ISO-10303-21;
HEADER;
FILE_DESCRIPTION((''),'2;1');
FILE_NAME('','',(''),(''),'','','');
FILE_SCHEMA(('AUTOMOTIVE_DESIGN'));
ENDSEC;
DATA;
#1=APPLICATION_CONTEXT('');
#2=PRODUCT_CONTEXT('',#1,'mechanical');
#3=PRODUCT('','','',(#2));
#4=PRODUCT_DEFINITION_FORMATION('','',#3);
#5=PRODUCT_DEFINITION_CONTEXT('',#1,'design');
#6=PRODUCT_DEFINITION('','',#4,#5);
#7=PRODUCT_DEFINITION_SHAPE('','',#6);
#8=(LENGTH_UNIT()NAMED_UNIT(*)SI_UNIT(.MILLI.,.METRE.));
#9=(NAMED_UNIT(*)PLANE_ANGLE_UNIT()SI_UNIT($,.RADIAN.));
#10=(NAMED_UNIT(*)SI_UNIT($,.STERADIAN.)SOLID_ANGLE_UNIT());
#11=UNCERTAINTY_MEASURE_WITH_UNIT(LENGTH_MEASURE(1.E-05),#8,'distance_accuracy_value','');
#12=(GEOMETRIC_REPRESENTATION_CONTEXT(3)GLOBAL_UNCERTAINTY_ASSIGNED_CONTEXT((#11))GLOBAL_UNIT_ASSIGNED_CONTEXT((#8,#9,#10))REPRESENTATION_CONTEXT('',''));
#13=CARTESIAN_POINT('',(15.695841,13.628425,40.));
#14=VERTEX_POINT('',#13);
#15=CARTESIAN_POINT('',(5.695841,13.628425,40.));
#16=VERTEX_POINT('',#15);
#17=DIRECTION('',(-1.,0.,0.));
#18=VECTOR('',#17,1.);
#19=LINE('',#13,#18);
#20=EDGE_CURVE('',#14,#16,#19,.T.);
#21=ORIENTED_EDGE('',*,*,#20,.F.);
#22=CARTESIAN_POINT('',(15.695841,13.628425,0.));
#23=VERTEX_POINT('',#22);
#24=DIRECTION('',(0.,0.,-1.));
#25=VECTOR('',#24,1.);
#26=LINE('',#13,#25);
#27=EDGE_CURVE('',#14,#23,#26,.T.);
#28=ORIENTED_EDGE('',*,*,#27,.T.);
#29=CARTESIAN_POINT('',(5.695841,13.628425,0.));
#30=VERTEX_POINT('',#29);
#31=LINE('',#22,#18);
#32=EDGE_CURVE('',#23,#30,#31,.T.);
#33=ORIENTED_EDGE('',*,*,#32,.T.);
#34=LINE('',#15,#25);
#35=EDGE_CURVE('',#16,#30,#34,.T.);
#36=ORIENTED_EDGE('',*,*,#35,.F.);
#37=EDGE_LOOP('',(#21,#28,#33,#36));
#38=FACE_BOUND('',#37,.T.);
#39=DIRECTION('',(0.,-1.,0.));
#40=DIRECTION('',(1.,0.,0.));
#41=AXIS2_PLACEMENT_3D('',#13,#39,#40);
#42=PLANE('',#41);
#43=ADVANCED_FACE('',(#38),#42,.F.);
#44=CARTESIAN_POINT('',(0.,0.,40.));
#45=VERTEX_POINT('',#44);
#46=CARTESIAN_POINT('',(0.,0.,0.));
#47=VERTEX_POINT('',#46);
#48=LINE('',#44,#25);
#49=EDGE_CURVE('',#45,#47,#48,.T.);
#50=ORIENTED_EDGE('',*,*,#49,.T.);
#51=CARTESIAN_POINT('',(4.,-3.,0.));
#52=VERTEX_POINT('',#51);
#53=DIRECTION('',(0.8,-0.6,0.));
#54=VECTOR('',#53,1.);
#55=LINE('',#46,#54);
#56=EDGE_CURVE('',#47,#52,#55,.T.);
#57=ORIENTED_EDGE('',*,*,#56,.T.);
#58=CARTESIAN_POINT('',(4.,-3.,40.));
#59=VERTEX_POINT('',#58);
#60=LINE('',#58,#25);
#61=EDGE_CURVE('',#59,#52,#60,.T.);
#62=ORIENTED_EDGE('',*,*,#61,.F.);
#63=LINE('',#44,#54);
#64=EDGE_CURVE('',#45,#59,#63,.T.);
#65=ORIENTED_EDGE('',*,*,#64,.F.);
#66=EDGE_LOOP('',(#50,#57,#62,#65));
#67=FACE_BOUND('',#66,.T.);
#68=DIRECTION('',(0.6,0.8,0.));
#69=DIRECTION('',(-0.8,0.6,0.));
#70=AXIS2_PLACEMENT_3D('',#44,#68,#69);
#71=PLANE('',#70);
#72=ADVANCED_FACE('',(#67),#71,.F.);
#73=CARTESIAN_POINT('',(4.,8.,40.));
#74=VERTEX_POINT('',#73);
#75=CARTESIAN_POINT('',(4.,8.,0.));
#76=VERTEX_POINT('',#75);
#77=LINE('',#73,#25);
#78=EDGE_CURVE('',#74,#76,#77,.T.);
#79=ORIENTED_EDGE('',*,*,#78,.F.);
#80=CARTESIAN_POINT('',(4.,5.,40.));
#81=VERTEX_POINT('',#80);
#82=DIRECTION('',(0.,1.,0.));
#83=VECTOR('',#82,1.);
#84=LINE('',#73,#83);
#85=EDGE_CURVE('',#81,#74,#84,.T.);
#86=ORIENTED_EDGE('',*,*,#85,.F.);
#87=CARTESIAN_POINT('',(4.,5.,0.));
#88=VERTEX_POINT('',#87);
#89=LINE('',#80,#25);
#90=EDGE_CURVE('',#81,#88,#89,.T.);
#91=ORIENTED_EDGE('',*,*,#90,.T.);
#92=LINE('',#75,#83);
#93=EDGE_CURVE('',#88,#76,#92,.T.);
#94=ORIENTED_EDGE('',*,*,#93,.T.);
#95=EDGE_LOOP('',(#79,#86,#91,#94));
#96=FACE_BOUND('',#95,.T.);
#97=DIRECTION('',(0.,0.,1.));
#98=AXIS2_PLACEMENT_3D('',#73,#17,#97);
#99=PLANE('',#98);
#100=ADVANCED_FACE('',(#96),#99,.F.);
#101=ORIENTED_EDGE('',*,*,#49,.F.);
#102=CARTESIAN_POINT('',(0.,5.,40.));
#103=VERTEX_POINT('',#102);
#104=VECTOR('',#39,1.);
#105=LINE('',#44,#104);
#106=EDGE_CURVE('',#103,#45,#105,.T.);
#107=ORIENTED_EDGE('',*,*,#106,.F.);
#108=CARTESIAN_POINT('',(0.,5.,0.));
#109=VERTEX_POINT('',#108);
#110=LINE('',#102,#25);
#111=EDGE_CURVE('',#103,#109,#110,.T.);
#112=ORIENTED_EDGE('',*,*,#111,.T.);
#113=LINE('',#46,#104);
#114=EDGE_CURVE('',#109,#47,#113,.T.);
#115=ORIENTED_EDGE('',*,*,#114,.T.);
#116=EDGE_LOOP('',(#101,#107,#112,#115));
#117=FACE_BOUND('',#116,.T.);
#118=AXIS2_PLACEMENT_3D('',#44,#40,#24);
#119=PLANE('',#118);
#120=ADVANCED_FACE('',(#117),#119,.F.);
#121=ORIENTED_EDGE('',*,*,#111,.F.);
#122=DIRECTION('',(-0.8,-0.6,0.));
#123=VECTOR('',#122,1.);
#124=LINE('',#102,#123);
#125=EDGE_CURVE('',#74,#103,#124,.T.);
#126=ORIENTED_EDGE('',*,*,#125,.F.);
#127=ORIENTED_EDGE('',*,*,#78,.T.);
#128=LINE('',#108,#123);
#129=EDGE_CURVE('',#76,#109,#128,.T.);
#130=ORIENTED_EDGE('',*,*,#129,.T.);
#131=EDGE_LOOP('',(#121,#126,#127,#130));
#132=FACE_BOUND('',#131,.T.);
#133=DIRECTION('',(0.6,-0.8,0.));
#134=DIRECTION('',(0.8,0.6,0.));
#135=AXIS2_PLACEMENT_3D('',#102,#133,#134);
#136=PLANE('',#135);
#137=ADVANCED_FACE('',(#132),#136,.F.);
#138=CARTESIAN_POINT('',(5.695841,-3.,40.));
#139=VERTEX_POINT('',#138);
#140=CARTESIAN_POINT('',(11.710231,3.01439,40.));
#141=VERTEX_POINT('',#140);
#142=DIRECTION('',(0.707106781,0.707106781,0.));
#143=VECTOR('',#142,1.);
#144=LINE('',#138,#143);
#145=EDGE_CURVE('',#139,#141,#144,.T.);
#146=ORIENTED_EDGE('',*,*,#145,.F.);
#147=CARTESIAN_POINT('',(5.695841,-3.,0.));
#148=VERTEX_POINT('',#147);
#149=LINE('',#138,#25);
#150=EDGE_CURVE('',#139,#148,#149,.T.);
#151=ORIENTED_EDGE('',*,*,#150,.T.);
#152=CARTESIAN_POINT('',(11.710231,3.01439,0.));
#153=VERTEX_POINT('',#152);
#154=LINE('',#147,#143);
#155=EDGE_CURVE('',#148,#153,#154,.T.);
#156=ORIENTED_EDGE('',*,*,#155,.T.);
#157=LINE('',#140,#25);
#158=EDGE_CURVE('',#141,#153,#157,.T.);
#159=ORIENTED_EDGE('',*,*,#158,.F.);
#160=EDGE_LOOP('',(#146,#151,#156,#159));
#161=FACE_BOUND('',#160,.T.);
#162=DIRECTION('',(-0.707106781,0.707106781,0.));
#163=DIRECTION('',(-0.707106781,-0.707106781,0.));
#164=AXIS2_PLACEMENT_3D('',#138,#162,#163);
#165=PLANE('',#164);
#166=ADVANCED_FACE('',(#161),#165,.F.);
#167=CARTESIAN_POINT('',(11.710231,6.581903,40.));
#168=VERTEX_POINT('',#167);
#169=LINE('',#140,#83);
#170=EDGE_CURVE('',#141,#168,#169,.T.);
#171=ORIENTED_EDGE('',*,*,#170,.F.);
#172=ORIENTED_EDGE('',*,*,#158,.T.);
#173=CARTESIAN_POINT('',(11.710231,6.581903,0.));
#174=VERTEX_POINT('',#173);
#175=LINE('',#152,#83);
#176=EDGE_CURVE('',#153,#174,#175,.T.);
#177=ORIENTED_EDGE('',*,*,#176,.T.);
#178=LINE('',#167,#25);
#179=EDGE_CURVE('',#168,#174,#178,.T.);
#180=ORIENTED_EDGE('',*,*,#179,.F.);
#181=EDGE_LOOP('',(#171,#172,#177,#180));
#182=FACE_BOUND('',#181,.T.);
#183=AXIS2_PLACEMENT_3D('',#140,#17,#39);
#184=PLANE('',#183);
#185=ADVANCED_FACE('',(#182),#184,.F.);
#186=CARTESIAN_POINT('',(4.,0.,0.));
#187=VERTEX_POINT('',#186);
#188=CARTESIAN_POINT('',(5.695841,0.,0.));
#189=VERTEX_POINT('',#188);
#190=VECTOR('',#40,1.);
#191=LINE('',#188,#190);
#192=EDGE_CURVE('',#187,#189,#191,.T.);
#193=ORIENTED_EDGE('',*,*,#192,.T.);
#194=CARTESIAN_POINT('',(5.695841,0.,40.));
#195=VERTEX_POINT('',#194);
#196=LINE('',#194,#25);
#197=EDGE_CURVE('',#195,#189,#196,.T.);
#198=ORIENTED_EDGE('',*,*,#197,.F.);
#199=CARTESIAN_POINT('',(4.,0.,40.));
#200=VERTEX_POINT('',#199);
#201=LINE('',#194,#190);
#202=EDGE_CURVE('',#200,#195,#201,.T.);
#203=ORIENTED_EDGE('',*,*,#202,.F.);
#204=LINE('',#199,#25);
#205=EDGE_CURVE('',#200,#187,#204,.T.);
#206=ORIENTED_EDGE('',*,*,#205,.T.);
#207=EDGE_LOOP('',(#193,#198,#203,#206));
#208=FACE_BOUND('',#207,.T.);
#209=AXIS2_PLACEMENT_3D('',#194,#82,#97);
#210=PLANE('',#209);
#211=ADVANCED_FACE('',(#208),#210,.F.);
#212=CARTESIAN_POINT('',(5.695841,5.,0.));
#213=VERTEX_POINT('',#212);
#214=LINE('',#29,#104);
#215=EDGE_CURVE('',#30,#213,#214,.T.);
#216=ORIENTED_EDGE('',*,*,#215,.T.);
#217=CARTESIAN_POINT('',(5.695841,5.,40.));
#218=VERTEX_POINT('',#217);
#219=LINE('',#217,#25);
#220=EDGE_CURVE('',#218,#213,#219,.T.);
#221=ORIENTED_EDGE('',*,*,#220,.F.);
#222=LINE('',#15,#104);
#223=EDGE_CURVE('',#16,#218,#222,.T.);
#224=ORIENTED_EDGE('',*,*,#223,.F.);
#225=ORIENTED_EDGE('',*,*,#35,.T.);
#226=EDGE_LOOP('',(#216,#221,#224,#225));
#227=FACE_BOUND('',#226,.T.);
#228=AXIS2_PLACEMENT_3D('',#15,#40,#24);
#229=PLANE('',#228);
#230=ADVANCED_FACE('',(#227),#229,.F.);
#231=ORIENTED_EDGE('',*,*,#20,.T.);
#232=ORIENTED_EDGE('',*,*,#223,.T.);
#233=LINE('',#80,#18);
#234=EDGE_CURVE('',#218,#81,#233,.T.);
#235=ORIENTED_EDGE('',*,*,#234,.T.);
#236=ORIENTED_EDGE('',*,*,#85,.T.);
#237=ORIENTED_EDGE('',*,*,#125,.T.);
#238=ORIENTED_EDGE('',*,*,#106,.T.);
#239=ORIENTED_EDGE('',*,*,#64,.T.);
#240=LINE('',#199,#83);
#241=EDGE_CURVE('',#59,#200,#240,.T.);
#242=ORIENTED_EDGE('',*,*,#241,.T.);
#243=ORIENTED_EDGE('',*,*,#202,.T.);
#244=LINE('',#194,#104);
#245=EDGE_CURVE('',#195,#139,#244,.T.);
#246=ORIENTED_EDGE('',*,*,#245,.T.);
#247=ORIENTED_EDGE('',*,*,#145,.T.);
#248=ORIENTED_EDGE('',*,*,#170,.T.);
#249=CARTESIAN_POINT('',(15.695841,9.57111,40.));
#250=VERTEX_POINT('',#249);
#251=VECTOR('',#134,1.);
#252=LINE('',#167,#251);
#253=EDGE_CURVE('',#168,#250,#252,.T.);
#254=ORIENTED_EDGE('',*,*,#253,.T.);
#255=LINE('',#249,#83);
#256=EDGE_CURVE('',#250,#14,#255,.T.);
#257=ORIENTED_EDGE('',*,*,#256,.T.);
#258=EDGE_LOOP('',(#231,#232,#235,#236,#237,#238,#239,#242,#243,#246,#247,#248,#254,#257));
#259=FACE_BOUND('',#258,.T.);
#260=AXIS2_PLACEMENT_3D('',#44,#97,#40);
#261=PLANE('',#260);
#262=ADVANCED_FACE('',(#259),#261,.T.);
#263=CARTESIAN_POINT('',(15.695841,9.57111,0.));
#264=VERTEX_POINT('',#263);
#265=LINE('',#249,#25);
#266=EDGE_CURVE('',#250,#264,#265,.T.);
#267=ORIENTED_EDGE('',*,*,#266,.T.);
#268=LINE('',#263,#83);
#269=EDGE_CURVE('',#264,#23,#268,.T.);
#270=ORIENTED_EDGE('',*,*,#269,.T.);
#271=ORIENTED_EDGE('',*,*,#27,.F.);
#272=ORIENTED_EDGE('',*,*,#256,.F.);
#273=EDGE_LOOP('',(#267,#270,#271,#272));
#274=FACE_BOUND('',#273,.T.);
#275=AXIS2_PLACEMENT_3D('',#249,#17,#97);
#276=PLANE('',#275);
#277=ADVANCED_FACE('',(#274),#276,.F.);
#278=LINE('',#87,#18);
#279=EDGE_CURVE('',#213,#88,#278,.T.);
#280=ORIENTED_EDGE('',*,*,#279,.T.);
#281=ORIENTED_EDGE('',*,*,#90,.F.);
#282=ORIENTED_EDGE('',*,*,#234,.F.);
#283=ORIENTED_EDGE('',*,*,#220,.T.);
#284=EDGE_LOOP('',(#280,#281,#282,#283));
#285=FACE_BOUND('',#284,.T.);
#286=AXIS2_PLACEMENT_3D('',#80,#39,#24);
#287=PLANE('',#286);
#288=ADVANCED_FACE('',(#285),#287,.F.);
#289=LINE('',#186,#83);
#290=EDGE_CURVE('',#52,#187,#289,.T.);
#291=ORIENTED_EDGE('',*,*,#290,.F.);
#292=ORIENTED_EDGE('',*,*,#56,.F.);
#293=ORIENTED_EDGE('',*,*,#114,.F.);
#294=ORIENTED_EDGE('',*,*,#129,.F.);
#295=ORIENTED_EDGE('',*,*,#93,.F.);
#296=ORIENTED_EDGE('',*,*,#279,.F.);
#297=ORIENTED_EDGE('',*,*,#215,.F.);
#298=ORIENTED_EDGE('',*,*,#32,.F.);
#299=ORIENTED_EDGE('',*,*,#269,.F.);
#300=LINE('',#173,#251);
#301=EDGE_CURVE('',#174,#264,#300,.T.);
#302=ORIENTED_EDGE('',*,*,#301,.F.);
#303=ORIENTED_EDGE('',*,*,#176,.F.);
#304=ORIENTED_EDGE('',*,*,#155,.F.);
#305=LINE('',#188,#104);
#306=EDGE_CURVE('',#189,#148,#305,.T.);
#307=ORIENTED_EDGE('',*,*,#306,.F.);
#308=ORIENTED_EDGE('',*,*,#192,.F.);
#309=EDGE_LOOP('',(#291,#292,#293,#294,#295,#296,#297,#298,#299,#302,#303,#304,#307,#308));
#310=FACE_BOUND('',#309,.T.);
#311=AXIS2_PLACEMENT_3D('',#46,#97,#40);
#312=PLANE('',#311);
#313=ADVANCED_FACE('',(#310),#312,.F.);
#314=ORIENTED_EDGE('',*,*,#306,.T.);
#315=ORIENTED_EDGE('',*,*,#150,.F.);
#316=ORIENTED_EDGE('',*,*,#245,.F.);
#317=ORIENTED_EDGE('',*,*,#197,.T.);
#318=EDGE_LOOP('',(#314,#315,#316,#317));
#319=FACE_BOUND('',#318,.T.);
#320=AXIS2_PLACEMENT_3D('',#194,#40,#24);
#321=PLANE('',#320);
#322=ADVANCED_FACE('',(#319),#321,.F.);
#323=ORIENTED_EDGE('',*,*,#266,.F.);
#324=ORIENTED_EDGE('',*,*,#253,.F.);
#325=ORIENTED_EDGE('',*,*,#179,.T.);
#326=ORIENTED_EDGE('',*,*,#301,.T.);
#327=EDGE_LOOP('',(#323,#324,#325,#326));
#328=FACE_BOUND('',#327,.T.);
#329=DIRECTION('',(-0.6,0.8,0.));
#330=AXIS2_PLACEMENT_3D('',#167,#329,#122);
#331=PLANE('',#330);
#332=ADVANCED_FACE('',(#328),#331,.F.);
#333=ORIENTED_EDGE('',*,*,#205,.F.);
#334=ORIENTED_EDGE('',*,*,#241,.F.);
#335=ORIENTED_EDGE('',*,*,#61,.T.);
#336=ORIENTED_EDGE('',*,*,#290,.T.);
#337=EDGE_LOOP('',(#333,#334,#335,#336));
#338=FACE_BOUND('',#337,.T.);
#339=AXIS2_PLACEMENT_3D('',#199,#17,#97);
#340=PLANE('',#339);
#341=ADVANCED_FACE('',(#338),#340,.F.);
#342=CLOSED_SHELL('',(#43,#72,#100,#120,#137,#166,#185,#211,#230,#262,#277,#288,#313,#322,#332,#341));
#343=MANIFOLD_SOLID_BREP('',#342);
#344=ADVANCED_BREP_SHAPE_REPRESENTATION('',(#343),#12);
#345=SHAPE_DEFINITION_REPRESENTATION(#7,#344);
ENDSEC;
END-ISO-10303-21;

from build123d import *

# Parameters (mm, degrees)
MAIN_EXTRUSION_DEPTH = 40


with BuildPart() as part:
    # Main - Sketch → Main - Extrusion (new body)
    with BuildSketch(Plane.XY):
        Polygon((0, 0), (0, 5), (4, 8), (4, 5), (5.695841166, 5), (5.695841166, 13.628424951), (15.695841166, 13.628424951), (15.695841166, 9.571110416), (11.710231363, 6.581903064), (11.710231363, 3.014390197), (5.695841166, -3), (5.695841166, 0), (4, 0), (4, -3), align=None)
    extrude(amount=MAIN_EXTRUSION_DEPTH)


solid = part.part
